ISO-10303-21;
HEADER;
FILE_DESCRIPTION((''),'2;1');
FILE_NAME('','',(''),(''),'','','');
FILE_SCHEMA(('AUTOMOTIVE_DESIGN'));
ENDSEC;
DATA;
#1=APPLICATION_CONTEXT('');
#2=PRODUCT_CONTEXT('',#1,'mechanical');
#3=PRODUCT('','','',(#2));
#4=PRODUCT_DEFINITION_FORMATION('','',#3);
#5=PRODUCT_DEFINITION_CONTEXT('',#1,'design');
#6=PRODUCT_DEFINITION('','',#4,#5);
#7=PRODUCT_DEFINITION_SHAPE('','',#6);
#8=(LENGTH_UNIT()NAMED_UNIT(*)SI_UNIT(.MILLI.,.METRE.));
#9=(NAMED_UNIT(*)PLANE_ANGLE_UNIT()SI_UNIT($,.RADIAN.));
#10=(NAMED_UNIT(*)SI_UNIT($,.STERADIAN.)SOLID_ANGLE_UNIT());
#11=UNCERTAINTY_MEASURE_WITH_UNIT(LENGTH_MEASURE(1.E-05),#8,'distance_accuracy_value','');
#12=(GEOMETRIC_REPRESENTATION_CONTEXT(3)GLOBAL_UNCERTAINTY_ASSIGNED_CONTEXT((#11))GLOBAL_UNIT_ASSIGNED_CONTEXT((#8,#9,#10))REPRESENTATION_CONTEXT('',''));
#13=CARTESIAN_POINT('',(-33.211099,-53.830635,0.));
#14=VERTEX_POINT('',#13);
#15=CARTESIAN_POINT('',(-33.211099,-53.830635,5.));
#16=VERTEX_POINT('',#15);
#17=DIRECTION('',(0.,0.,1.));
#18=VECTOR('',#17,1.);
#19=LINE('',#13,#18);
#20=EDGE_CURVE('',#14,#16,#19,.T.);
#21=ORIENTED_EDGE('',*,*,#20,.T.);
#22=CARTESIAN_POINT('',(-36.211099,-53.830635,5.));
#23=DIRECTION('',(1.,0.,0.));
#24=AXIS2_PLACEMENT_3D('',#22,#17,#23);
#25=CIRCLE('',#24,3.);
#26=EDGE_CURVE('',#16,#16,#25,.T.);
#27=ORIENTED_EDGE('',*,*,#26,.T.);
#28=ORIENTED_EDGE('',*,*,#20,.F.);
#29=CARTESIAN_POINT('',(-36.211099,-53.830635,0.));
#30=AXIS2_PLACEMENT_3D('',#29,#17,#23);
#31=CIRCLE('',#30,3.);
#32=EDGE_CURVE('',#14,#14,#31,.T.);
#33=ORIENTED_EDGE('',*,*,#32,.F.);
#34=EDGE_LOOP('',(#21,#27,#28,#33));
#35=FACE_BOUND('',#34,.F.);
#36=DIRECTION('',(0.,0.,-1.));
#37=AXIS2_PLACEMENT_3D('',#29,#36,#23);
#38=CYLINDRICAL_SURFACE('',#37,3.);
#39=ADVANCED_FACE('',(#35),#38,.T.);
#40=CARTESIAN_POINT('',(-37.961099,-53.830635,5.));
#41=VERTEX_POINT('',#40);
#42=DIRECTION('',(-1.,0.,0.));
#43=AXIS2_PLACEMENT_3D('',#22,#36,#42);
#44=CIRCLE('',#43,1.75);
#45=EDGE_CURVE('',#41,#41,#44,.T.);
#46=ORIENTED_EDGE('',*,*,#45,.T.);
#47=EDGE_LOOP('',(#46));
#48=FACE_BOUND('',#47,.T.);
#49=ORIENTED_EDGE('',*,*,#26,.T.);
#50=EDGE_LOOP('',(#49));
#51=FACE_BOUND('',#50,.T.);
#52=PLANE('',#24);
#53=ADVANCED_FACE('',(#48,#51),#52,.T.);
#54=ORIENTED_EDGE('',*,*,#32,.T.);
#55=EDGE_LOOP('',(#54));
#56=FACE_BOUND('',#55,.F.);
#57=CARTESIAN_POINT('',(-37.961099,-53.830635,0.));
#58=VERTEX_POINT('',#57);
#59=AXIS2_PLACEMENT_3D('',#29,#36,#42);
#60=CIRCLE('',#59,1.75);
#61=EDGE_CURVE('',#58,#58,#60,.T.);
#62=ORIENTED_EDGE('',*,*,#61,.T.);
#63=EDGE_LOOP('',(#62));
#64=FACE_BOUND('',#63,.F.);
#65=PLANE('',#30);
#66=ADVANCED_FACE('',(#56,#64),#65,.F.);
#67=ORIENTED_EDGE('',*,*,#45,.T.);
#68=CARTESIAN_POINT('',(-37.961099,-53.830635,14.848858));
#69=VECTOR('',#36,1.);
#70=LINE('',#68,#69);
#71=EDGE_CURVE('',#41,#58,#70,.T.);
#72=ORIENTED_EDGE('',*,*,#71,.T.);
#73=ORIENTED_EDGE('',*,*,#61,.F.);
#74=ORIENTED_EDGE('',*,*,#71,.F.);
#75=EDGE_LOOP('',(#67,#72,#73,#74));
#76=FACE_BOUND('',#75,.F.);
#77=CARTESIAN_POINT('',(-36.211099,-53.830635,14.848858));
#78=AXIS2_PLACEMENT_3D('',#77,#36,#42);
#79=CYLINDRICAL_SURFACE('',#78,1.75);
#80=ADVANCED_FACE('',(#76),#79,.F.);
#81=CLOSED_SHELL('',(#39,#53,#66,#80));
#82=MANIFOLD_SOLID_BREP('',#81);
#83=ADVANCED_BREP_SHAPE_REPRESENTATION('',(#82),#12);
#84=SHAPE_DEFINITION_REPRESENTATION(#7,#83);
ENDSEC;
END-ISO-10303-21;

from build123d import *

# Parameters (mm, degrees)
F0_R     = 3
F1_DEPTH = 5
F3_D     = 3.5


with BuildPart() as f1:
    # F0 (on Top) → F1 (new body)
    with BuildSketch(Plane.XY):
        with Locations((-36.211099, -53.830635)):
            Circle(F0_R)
    extrude(amount=F1_DEPTH)

    # F3 (through all)
    with Locations(Plane.XY.offset(5)):
        with Locations((-36.211099, -53.830635)):
            Hole(F3_D / 2)


solid = f1.part
